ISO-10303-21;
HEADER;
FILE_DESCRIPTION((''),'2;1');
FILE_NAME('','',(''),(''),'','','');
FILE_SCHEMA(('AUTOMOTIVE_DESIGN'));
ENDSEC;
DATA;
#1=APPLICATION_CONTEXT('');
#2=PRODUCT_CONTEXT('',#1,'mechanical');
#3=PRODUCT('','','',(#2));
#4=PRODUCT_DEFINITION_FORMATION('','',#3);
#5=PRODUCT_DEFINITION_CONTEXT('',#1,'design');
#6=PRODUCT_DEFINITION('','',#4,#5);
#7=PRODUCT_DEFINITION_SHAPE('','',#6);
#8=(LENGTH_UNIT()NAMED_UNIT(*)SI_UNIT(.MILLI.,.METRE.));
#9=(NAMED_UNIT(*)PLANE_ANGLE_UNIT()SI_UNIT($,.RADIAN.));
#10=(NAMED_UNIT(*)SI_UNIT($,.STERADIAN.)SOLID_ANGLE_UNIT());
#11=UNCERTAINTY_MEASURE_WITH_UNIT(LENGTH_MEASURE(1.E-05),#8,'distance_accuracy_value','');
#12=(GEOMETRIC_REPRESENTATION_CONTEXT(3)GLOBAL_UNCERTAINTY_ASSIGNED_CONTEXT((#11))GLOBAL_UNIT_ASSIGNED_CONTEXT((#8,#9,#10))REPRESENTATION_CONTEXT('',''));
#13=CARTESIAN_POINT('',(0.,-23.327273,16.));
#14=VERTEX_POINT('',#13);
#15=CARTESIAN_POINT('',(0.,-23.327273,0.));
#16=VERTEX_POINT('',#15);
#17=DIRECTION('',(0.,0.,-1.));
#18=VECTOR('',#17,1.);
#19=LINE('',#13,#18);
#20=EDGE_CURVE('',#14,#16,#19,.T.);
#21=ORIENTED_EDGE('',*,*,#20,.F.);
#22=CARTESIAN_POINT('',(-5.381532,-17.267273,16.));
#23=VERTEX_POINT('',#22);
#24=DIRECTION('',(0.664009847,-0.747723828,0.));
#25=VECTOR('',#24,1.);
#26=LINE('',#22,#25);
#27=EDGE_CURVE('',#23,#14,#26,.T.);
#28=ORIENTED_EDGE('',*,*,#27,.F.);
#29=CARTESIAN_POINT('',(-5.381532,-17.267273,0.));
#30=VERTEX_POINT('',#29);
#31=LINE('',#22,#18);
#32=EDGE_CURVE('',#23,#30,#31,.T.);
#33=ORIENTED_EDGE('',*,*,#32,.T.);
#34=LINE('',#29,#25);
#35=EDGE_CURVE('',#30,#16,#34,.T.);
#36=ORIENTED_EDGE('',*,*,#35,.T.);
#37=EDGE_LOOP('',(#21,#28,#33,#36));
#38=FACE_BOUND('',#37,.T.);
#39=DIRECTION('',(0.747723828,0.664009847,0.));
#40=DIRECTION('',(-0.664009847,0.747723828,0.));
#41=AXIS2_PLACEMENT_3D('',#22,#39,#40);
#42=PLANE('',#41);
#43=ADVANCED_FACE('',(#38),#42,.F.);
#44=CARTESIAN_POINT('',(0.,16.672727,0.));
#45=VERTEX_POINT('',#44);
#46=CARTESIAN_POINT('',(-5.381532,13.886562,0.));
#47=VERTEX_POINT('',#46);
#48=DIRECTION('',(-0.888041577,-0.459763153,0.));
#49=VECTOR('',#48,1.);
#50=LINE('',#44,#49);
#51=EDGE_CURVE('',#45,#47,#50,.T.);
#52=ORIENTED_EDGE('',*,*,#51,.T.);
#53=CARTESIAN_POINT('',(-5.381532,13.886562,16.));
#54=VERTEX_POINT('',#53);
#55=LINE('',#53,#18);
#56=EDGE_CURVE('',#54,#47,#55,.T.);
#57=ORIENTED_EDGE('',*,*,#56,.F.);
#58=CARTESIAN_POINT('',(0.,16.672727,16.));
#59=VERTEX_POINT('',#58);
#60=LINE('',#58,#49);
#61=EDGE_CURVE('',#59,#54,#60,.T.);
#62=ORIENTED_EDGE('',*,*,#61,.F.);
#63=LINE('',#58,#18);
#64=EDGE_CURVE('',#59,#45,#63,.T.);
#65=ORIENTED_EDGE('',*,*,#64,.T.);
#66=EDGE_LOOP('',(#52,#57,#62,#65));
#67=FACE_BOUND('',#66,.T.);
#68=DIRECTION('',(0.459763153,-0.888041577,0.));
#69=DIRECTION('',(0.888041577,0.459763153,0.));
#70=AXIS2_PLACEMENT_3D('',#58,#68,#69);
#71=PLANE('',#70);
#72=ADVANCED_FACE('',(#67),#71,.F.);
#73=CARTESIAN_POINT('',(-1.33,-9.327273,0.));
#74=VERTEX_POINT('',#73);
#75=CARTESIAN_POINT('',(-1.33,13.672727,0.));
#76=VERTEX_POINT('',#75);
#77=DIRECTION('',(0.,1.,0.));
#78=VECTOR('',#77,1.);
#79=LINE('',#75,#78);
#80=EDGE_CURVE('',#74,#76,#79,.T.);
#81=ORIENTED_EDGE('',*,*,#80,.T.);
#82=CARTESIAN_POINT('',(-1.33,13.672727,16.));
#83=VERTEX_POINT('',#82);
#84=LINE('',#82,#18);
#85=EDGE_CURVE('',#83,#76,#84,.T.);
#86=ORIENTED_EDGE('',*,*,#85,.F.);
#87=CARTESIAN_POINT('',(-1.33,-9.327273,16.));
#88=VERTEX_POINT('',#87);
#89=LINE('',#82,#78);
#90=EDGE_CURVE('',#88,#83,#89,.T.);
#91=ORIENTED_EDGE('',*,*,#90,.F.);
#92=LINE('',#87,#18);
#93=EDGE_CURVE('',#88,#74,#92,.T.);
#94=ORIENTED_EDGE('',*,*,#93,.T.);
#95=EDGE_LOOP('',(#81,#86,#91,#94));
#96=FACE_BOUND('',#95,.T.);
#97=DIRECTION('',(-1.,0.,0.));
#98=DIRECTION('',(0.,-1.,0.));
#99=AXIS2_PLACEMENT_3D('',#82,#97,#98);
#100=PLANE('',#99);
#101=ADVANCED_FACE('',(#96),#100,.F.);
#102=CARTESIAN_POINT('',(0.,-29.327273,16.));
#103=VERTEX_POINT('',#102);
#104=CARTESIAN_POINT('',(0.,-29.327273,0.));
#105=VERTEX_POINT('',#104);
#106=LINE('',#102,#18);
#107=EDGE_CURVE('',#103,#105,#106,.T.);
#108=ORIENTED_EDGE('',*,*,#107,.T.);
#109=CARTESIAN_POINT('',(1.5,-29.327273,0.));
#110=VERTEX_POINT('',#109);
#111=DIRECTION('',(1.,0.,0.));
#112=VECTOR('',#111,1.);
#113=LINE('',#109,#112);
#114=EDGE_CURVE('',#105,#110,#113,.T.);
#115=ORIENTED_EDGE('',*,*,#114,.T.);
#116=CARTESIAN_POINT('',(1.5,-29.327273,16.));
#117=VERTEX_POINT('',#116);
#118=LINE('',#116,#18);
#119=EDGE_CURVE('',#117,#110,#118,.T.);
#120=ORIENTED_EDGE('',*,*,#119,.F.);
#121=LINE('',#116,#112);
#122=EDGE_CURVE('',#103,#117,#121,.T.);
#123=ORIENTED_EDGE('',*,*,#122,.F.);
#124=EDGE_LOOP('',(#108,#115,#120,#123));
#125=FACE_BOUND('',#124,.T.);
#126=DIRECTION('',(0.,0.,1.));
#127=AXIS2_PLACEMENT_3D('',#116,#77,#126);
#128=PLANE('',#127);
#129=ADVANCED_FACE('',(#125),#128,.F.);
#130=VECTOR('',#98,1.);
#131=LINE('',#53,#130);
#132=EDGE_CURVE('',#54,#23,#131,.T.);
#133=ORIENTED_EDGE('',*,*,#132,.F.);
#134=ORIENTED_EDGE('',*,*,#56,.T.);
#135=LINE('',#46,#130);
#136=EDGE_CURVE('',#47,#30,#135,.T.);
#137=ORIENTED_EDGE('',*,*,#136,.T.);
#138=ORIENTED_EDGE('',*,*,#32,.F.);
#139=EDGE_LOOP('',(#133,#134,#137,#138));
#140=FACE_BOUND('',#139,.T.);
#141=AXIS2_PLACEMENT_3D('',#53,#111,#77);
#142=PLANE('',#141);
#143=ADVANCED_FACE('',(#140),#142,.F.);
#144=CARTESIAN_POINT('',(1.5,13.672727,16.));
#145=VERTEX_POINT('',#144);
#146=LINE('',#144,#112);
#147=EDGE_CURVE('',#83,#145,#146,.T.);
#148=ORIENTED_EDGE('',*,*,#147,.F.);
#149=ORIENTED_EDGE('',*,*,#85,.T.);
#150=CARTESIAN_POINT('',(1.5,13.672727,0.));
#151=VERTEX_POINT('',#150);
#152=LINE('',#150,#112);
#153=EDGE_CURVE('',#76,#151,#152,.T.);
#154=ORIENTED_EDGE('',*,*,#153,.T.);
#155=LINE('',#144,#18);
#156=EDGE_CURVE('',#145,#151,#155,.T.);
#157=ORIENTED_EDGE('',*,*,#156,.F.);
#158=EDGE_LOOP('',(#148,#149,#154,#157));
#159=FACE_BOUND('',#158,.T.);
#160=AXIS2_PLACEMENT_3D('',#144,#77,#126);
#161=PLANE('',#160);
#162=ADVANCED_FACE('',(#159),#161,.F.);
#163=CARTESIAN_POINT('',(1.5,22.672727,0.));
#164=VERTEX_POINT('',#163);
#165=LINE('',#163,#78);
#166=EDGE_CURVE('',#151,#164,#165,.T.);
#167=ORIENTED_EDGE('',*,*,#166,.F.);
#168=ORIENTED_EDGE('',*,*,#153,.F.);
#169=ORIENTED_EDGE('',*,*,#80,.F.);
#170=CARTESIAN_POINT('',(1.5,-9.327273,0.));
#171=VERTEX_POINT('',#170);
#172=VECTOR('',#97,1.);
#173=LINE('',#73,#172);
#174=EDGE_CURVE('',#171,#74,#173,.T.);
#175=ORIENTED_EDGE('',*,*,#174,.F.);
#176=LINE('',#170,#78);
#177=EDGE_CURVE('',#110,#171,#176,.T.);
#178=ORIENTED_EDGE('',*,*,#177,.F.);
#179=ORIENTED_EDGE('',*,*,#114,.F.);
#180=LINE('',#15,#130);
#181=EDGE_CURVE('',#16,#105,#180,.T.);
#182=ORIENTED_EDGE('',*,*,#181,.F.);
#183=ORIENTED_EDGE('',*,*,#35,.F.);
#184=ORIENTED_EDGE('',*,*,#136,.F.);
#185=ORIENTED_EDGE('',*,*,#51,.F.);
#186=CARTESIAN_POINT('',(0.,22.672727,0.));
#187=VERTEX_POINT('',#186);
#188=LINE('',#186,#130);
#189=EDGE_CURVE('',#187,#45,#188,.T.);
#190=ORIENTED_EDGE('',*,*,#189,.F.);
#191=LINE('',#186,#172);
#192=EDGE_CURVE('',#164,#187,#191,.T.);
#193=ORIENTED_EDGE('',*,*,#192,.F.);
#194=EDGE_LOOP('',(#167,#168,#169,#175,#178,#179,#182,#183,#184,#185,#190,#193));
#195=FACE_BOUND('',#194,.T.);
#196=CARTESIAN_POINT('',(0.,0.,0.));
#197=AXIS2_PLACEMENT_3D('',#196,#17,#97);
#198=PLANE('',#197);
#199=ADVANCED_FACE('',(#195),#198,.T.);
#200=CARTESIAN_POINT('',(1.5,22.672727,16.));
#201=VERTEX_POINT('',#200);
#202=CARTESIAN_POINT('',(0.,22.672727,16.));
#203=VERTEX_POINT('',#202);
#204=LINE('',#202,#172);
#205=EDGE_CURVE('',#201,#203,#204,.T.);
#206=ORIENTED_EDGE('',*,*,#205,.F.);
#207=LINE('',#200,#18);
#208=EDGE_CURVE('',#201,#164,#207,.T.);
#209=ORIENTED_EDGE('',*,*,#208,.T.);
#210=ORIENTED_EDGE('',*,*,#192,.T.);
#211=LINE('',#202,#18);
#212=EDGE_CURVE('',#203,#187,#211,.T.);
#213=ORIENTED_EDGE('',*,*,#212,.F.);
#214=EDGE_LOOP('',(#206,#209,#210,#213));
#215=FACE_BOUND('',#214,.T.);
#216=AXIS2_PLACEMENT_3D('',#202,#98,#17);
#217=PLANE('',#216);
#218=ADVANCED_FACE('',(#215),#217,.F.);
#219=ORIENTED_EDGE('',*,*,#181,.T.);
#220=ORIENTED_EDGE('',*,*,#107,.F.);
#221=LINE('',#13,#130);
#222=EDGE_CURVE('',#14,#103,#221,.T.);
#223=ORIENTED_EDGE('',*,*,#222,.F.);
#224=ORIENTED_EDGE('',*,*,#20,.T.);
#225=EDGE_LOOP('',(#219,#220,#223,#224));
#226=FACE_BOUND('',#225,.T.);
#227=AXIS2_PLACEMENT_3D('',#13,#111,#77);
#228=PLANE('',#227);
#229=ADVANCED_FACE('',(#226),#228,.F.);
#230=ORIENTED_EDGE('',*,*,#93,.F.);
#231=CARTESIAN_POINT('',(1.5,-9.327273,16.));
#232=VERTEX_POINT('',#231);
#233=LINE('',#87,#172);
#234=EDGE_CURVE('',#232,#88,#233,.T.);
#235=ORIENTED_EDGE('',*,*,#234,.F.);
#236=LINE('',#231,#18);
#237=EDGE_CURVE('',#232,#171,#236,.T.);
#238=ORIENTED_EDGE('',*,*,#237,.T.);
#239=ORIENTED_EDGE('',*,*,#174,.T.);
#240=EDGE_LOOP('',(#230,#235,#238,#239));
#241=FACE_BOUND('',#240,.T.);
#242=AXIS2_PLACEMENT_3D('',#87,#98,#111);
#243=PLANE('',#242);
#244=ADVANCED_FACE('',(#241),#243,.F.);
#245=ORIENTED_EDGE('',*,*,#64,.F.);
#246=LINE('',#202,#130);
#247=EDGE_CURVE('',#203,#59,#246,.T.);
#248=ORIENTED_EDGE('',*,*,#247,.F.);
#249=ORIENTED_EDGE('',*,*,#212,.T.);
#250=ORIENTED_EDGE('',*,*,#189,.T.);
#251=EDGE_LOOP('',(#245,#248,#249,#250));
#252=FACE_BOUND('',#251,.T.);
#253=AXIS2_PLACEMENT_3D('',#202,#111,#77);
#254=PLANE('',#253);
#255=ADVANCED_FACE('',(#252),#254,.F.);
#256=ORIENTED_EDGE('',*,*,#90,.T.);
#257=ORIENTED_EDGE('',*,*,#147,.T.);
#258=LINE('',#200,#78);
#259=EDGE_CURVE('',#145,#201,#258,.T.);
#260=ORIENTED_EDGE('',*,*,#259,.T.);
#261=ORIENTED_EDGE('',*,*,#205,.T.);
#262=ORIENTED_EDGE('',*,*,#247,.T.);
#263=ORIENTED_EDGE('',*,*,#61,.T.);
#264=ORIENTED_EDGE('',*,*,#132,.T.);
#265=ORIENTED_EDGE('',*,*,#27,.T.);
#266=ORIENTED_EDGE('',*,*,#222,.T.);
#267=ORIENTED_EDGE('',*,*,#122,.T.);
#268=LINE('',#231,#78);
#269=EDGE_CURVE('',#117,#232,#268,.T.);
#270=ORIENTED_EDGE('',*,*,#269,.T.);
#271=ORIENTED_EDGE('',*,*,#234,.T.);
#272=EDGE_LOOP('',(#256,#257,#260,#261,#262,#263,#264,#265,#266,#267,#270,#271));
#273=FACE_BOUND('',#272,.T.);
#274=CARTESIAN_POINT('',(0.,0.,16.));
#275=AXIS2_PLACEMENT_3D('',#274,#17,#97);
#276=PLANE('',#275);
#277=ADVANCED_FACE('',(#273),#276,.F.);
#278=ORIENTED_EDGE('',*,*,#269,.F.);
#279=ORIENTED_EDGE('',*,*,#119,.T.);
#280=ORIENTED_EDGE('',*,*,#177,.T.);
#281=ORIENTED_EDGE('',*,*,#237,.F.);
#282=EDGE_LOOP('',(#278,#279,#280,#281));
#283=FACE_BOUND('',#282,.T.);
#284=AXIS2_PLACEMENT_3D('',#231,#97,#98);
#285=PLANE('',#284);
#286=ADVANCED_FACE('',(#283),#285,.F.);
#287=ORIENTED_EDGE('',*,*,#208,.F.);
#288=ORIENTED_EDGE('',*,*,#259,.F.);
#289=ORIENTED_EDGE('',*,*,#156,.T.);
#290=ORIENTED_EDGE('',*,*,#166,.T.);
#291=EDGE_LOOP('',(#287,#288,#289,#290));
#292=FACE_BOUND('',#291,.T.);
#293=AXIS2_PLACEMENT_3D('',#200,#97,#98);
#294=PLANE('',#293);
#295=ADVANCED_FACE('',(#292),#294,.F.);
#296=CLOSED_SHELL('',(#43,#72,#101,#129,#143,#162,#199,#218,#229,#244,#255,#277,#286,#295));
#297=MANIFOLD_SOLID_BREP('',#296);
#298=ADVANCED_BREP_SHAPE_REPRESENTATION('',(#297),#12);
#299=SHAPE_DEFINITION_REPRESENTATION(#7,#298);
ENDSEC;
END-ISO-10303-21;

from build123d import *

# Parameters (mm, degrees)
BOSS_EXTRUDE1_DEPTH = 16


with BuildPart() as part:
    # Sketch1 → Boss-Extrude1 (new body)
    with BuildSketch(Plane.XY):
        Polygon((-5.381531959, 13.886562136), (-5.381531959, -17.267273157), (0, -23.327273157), (0, -29.327273157), (1.5, -29.327273157), (1.5, -9.327273157), (-1.33, -9.327273157), (-1.33, 13.672726843), (1.5, 13.672726843), (1.5, 22.672726843), (0, 22.672726843), (0, 16.672726843), align=None)
    extrude(amount=BOSS_EXTRUDE1_DEPTH)


solid = part.part
